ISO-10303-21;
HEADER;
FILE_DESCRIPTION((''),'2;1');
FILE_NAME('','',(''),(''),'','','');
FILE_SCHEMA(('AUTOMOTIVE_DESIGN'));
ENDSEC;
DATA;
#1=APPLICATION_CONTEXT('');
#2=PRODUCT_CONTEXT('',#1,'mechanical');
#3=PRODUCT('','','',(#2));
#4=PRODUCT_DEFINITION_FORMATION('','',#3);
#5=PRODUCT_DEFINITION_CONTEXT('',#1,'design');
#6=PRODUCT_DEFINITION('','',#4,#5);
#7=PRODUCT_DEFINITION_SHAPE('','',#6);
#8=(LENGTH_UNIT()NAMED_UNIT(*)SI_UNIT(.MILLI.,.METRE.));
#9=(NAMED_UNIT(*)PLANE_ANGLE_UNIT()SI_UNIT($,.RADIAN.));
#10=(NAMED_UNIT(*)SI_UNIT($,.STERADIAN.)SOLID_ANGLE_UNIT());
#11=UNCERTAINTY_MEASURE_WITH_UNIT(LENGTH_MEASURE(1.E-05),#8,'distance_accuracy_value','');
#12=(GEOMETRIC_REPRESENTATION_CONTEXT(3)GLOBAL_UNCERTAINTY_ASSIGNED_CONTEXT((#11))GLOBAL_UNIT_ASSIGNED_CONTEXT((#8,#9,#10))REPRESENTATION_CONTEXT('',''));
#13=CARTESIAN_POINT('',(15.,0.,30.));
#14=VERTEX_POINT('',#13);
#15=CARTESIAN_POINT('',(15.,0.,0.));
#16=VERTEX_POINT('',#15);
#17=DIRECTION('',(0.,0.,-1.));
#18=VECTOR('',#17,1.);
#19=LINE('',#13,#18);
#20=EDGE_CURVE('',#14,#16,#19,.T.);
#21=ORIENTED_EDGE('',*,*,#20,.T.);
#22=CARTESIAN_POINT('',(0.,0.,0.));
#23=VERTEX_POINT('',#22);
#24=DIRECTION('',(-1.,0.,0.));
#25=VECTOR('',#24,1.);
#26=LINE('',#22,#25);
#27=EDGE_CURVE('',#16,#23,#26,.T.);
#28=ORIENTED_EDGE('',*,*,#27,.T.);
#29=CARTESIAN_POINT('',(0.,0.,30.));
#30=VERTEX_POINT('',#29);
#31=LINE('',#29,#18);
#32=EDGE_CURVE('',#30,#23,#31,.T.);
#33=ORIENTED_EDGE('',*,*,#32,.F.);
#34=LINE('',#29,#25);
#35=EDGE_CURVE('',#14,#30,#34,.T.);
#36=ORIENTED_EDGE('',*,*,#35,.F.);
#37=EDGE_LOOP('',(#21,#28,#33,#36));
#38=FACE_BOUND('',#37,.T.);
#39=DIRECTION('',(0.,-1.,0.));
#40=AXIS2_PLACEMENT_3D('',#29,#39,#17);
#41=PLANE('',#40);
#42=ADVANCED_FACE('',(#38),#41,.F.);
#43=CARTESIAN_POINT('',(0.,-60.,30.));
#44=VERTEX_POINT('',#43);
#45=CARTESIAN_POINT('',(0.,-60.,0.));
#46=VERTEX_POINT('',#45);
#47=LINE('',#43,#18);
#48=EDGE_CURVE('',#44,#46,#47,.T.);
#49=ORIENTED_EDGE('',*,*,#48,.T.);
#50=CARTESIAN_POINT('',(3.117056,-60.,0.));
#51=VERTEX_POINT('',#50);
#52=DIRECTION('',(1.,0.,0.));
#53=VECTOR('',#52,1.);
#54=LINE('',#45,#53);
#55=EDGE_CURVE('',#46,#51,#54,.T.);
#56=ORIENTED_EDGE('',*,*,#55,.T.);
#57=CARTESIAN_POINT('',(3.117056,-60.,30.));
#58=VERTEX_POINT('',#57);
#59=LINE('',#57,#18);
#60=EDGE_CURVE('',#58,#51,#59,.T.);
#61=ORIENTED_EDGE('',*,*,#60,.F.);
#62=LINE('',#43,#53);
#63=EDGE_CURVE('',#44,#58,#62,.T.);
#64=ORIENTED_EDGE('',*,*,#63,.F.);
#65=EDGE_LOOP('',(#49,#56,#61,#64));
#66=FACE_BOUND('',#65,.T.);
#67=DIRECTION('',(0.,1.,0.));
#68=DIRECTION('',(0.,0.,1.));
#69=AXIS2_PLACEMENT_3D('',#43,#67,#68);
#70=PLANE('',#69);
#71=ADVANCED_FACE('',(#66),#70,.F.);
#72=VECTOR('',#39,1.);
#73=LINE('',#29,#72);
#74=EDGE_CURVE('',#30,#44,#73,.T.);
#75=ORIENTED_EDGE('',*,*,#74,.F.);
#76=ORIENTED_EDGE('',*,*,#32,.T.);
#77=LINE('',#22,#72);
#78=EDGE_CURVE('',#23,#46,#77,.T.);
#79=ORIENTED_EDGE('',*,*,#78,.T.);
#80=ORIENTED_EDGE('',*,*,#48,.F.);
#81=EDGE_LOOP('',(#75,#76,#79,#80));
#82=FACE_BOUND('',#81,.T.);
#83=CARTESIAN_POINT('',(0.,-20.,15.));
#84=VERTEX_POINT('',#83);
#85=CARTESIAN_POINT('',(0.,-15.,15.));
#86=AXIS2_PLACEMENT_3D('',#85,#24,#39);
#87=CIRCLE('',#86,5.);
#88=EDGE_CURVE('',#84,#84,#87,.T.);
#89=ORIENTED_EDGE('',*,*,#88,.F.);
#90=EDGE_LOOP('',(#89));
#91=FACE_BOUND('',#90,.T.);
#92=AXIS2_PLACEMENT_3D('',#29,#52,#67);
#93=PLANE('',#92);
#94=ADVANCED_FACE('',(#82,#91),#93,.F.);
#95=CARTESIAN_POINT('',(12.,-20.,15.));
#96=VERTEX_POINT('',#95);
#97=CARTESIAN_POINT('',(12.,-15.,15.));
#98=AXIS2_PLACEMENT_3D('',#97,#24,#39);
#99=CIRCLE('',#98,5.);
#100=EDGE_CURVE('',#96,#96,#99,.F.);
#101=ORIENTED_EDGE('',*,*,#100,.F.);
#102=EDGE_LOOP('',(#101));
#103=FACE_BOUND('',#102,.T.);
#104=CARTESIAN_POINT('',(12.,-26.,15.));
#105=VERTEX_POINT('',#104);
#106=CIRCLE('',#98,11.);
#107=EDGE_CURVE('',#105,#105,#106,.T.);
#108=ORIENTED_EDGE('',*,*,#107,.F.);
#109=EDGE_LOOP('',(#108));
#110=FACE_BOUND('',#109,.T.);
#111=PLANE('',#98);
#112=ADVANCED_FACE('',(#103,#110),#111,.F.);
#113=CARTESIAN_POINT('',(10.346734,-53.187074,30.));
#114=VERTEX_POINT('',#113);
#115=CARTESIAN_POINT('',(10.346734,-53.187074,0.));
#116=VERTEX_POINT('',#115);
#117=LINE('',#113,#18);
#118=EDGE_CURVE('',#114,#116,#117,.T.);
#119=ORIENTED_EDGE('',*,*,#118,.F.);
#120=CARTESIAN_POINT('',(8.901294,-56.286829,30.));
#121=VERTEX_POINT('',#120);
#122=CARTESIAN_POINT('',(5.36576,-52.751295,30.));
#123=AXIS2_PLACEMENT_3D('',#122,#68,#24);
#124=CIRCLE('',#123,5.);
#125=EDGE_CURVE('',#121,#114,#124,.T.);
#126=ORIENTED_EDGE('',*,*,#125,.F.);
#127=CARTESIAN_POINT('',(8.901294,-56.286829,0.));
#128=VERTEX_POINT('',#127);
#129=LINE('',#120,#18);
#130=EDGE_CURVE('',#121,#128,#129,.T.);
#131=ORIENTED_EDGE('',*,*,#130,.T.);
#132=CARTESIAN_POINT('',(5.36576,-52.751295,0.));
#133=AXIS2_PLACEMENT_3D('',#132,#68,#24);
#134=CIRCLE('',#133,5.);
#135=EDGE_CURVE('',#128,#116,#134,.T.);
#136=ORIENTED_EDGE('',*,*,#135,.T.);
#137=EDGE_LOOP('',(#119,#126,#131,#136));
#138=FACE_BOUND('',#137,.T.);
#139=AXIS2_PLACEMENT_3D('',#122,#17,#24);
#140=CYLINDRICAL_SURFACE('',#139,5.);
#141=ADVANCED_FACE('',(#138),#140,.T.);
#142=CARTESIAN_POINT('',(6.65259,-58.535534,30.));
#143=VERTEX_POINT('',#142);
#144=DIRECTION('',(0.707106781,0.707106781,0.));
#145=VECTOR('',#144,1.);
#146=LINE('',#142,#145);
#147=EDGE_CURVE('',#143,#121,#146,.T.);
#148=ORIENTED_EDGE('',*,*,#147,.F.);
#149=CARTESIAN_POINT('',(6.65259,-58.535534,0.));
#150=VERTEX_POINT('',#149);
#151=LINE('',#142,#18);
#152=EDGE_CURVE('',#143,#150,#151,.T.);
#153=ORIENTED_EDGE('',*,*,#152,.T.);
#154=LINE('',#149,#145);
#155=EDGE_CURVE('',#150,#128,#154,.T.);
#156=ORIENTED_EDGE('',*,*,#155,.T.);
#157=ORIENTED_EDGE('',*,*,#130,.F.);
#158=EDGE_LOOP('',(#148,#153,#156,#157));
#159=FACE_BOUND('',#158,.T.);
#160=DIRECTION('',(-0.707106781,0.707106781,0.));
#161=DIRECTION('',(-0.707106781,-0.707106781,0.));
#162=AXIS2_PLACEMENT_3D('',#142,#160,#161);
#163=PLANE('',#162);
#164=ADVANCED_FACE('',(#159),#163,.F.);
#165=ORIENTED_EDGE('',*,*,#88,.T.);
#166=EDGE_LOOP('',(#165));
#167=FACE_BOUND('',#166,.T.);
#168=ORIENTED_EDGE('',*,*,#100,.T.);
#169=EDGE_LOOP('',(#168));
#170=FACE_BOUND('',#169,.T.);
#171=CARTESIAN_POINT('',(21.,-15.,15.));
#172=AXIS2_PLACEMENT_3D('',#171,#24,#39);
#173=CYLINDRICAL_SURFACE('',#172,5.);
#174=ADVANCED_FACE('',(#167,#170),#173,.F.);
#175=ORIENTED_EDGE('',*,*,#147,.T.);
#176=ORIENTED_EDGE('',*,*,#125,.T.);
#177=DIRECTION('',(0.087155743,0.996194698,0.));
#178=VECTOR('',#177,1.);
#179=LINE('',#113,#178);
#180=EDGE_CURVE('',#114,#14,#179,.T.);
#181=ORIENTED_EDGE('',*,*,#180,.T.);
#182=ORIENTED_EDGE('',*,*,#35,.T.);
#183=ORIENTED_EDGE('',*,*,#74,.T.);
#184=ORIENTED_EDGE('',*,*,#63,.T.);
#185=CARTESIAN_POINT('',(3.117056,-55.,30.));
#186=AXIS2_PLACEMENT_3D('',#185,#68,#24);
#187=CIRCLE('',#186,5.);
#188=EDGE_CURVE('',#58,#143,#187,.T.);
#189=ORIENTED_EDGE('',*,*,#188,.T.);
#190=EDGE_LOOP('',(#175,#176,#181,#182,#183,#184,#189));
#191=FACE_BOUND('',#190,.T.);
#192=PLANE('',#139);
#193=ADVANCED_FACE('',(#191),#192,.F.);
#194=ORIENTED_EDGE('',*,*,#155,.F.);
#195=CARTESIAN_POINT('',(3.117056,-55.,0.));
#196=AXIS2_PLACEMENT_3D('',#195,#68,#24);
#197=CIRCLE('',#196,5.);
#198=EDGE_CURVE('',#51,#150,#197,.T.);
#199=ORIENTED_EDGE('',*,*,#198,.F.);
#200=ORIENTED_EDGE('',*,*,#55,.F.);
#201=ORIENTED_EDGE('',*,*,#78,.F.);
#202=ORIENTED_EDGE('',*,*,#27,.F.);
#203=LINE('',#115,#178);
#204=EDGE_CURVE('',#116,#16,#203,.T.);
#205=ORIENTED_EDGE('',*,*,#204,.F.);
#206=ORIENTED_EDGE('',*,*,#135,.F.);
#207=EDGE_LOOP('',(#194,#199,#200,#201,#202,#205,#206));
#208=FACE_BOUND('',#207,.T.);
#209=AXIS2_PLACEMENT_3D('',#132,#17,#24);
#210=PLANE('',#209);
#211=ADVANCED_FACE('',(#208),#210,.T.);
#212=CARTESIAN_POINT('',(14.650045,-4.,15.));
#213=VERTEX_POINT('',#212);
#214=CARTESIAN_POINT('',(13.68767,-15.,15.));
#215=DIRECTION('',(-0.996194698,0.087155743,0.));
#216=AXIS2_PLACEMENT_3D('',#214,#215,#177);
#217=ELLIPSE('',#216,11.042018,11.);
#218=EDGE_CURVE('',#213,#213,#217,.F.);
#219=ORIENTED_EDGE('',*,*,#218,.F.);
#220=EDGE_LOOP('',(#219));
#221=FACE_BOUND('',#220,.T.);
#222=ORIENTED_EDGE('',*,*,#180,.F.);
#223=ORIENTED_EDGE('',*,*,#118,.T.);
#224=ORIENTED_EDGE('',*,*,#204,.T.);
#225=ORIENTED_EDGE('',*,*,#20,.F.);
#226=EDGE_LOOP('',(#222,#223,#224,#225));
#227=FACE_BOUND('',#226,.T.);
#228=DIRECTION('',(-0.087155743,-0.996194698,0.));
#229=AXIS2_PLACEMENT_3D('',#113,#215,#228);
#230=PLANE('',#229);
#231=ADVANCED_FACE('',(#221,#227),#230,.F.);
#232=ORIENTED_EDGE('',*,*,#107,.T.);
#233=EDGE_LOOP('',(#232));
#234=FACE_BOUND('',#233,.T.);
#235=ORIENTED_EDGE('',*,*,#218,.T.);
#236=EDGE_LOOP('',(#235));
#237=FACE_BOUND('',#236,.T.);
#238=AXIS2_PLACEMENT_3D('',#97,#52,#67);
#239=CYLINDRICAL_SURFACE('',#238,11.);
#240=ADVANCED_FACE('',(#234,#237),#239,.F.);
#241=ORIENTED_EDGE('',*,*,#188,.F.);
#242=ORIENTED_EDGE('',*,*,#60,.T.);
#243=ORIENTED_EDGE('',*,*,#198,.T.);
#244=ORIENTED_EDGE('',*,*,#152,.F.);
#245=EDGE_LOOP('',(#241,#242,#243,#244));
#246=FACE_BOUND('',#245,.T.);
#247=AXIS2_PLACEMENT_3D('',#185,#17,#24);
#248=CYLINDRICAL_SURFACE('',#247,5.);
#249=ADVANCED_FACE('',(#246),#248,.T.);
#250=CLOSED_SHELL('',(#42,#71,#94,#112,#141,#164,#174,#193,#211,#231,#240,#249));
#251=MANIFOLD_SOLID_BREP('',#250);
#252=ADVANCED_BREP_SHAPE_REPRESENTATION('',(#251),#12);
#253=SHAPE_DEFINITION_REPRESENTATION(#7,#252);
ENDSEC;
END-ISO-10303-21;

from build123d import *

# Parameters (mm, degrees)
EXTRUDE_1_DEPTH     = 30
SKETCH_3_R          = 5
CUT_EXTRUDE_2_DEPTH = 21
CUT_EXTRUDE_START   = -15
SKETCH_5_R          = 11
CUT_EXTRUDE_3_DEPTH = 3


with BuildPart() as part:
    # Эскиз1 → Бобышка-Вытянуть1 (new body)
    with BuildSketch(Plane.XY):
        with BuildLine():
            Line((0, 0), (0, -60))
            Line((0, -60), (3.117055694, -60))
            ThreePointArc((3.117055694, -60), (5.030472856, -59.619397663), (6.6525896, -58.535533906))
            Line((6.6525896, -58.535533906), (8.901294402, -56.286829104))
            ThreePointArc((8.901294402, -56.286829104), (9.897299431, -54.864386507), (10.346733987, -53.187073912))
            Line((10.346733987, -53.187073912), (15, 0))
            Line((15, 0), (0, 0))
        make_face()
    extrude(amount=EXTRUDE_1_DEPTH)

    # Эскиз3 → Вырез-Вытянуть2 (cut)
    with BuildSketch(Plane.ZY):
        with Locations((15, -15)):
            Circle(SKETCH_3_R)
    extrude(amount=-CUT_EXTRUDE_2_DEPTH, mode=Mode.SUBTRACT)

    # Эскиз5 → Вырез-Вытянуть3 (cut)
    with BuildSketch(Plane.ZY.offset(CUT_EXTRUDE_START)):
        with Locations((15, -15)):
            Circle(SKETCH_5_R)
    extrude(amount=CUT_EXTRUDE_3_DEPTH, mode=Mode.SUBTRACT)


solid = part.part
